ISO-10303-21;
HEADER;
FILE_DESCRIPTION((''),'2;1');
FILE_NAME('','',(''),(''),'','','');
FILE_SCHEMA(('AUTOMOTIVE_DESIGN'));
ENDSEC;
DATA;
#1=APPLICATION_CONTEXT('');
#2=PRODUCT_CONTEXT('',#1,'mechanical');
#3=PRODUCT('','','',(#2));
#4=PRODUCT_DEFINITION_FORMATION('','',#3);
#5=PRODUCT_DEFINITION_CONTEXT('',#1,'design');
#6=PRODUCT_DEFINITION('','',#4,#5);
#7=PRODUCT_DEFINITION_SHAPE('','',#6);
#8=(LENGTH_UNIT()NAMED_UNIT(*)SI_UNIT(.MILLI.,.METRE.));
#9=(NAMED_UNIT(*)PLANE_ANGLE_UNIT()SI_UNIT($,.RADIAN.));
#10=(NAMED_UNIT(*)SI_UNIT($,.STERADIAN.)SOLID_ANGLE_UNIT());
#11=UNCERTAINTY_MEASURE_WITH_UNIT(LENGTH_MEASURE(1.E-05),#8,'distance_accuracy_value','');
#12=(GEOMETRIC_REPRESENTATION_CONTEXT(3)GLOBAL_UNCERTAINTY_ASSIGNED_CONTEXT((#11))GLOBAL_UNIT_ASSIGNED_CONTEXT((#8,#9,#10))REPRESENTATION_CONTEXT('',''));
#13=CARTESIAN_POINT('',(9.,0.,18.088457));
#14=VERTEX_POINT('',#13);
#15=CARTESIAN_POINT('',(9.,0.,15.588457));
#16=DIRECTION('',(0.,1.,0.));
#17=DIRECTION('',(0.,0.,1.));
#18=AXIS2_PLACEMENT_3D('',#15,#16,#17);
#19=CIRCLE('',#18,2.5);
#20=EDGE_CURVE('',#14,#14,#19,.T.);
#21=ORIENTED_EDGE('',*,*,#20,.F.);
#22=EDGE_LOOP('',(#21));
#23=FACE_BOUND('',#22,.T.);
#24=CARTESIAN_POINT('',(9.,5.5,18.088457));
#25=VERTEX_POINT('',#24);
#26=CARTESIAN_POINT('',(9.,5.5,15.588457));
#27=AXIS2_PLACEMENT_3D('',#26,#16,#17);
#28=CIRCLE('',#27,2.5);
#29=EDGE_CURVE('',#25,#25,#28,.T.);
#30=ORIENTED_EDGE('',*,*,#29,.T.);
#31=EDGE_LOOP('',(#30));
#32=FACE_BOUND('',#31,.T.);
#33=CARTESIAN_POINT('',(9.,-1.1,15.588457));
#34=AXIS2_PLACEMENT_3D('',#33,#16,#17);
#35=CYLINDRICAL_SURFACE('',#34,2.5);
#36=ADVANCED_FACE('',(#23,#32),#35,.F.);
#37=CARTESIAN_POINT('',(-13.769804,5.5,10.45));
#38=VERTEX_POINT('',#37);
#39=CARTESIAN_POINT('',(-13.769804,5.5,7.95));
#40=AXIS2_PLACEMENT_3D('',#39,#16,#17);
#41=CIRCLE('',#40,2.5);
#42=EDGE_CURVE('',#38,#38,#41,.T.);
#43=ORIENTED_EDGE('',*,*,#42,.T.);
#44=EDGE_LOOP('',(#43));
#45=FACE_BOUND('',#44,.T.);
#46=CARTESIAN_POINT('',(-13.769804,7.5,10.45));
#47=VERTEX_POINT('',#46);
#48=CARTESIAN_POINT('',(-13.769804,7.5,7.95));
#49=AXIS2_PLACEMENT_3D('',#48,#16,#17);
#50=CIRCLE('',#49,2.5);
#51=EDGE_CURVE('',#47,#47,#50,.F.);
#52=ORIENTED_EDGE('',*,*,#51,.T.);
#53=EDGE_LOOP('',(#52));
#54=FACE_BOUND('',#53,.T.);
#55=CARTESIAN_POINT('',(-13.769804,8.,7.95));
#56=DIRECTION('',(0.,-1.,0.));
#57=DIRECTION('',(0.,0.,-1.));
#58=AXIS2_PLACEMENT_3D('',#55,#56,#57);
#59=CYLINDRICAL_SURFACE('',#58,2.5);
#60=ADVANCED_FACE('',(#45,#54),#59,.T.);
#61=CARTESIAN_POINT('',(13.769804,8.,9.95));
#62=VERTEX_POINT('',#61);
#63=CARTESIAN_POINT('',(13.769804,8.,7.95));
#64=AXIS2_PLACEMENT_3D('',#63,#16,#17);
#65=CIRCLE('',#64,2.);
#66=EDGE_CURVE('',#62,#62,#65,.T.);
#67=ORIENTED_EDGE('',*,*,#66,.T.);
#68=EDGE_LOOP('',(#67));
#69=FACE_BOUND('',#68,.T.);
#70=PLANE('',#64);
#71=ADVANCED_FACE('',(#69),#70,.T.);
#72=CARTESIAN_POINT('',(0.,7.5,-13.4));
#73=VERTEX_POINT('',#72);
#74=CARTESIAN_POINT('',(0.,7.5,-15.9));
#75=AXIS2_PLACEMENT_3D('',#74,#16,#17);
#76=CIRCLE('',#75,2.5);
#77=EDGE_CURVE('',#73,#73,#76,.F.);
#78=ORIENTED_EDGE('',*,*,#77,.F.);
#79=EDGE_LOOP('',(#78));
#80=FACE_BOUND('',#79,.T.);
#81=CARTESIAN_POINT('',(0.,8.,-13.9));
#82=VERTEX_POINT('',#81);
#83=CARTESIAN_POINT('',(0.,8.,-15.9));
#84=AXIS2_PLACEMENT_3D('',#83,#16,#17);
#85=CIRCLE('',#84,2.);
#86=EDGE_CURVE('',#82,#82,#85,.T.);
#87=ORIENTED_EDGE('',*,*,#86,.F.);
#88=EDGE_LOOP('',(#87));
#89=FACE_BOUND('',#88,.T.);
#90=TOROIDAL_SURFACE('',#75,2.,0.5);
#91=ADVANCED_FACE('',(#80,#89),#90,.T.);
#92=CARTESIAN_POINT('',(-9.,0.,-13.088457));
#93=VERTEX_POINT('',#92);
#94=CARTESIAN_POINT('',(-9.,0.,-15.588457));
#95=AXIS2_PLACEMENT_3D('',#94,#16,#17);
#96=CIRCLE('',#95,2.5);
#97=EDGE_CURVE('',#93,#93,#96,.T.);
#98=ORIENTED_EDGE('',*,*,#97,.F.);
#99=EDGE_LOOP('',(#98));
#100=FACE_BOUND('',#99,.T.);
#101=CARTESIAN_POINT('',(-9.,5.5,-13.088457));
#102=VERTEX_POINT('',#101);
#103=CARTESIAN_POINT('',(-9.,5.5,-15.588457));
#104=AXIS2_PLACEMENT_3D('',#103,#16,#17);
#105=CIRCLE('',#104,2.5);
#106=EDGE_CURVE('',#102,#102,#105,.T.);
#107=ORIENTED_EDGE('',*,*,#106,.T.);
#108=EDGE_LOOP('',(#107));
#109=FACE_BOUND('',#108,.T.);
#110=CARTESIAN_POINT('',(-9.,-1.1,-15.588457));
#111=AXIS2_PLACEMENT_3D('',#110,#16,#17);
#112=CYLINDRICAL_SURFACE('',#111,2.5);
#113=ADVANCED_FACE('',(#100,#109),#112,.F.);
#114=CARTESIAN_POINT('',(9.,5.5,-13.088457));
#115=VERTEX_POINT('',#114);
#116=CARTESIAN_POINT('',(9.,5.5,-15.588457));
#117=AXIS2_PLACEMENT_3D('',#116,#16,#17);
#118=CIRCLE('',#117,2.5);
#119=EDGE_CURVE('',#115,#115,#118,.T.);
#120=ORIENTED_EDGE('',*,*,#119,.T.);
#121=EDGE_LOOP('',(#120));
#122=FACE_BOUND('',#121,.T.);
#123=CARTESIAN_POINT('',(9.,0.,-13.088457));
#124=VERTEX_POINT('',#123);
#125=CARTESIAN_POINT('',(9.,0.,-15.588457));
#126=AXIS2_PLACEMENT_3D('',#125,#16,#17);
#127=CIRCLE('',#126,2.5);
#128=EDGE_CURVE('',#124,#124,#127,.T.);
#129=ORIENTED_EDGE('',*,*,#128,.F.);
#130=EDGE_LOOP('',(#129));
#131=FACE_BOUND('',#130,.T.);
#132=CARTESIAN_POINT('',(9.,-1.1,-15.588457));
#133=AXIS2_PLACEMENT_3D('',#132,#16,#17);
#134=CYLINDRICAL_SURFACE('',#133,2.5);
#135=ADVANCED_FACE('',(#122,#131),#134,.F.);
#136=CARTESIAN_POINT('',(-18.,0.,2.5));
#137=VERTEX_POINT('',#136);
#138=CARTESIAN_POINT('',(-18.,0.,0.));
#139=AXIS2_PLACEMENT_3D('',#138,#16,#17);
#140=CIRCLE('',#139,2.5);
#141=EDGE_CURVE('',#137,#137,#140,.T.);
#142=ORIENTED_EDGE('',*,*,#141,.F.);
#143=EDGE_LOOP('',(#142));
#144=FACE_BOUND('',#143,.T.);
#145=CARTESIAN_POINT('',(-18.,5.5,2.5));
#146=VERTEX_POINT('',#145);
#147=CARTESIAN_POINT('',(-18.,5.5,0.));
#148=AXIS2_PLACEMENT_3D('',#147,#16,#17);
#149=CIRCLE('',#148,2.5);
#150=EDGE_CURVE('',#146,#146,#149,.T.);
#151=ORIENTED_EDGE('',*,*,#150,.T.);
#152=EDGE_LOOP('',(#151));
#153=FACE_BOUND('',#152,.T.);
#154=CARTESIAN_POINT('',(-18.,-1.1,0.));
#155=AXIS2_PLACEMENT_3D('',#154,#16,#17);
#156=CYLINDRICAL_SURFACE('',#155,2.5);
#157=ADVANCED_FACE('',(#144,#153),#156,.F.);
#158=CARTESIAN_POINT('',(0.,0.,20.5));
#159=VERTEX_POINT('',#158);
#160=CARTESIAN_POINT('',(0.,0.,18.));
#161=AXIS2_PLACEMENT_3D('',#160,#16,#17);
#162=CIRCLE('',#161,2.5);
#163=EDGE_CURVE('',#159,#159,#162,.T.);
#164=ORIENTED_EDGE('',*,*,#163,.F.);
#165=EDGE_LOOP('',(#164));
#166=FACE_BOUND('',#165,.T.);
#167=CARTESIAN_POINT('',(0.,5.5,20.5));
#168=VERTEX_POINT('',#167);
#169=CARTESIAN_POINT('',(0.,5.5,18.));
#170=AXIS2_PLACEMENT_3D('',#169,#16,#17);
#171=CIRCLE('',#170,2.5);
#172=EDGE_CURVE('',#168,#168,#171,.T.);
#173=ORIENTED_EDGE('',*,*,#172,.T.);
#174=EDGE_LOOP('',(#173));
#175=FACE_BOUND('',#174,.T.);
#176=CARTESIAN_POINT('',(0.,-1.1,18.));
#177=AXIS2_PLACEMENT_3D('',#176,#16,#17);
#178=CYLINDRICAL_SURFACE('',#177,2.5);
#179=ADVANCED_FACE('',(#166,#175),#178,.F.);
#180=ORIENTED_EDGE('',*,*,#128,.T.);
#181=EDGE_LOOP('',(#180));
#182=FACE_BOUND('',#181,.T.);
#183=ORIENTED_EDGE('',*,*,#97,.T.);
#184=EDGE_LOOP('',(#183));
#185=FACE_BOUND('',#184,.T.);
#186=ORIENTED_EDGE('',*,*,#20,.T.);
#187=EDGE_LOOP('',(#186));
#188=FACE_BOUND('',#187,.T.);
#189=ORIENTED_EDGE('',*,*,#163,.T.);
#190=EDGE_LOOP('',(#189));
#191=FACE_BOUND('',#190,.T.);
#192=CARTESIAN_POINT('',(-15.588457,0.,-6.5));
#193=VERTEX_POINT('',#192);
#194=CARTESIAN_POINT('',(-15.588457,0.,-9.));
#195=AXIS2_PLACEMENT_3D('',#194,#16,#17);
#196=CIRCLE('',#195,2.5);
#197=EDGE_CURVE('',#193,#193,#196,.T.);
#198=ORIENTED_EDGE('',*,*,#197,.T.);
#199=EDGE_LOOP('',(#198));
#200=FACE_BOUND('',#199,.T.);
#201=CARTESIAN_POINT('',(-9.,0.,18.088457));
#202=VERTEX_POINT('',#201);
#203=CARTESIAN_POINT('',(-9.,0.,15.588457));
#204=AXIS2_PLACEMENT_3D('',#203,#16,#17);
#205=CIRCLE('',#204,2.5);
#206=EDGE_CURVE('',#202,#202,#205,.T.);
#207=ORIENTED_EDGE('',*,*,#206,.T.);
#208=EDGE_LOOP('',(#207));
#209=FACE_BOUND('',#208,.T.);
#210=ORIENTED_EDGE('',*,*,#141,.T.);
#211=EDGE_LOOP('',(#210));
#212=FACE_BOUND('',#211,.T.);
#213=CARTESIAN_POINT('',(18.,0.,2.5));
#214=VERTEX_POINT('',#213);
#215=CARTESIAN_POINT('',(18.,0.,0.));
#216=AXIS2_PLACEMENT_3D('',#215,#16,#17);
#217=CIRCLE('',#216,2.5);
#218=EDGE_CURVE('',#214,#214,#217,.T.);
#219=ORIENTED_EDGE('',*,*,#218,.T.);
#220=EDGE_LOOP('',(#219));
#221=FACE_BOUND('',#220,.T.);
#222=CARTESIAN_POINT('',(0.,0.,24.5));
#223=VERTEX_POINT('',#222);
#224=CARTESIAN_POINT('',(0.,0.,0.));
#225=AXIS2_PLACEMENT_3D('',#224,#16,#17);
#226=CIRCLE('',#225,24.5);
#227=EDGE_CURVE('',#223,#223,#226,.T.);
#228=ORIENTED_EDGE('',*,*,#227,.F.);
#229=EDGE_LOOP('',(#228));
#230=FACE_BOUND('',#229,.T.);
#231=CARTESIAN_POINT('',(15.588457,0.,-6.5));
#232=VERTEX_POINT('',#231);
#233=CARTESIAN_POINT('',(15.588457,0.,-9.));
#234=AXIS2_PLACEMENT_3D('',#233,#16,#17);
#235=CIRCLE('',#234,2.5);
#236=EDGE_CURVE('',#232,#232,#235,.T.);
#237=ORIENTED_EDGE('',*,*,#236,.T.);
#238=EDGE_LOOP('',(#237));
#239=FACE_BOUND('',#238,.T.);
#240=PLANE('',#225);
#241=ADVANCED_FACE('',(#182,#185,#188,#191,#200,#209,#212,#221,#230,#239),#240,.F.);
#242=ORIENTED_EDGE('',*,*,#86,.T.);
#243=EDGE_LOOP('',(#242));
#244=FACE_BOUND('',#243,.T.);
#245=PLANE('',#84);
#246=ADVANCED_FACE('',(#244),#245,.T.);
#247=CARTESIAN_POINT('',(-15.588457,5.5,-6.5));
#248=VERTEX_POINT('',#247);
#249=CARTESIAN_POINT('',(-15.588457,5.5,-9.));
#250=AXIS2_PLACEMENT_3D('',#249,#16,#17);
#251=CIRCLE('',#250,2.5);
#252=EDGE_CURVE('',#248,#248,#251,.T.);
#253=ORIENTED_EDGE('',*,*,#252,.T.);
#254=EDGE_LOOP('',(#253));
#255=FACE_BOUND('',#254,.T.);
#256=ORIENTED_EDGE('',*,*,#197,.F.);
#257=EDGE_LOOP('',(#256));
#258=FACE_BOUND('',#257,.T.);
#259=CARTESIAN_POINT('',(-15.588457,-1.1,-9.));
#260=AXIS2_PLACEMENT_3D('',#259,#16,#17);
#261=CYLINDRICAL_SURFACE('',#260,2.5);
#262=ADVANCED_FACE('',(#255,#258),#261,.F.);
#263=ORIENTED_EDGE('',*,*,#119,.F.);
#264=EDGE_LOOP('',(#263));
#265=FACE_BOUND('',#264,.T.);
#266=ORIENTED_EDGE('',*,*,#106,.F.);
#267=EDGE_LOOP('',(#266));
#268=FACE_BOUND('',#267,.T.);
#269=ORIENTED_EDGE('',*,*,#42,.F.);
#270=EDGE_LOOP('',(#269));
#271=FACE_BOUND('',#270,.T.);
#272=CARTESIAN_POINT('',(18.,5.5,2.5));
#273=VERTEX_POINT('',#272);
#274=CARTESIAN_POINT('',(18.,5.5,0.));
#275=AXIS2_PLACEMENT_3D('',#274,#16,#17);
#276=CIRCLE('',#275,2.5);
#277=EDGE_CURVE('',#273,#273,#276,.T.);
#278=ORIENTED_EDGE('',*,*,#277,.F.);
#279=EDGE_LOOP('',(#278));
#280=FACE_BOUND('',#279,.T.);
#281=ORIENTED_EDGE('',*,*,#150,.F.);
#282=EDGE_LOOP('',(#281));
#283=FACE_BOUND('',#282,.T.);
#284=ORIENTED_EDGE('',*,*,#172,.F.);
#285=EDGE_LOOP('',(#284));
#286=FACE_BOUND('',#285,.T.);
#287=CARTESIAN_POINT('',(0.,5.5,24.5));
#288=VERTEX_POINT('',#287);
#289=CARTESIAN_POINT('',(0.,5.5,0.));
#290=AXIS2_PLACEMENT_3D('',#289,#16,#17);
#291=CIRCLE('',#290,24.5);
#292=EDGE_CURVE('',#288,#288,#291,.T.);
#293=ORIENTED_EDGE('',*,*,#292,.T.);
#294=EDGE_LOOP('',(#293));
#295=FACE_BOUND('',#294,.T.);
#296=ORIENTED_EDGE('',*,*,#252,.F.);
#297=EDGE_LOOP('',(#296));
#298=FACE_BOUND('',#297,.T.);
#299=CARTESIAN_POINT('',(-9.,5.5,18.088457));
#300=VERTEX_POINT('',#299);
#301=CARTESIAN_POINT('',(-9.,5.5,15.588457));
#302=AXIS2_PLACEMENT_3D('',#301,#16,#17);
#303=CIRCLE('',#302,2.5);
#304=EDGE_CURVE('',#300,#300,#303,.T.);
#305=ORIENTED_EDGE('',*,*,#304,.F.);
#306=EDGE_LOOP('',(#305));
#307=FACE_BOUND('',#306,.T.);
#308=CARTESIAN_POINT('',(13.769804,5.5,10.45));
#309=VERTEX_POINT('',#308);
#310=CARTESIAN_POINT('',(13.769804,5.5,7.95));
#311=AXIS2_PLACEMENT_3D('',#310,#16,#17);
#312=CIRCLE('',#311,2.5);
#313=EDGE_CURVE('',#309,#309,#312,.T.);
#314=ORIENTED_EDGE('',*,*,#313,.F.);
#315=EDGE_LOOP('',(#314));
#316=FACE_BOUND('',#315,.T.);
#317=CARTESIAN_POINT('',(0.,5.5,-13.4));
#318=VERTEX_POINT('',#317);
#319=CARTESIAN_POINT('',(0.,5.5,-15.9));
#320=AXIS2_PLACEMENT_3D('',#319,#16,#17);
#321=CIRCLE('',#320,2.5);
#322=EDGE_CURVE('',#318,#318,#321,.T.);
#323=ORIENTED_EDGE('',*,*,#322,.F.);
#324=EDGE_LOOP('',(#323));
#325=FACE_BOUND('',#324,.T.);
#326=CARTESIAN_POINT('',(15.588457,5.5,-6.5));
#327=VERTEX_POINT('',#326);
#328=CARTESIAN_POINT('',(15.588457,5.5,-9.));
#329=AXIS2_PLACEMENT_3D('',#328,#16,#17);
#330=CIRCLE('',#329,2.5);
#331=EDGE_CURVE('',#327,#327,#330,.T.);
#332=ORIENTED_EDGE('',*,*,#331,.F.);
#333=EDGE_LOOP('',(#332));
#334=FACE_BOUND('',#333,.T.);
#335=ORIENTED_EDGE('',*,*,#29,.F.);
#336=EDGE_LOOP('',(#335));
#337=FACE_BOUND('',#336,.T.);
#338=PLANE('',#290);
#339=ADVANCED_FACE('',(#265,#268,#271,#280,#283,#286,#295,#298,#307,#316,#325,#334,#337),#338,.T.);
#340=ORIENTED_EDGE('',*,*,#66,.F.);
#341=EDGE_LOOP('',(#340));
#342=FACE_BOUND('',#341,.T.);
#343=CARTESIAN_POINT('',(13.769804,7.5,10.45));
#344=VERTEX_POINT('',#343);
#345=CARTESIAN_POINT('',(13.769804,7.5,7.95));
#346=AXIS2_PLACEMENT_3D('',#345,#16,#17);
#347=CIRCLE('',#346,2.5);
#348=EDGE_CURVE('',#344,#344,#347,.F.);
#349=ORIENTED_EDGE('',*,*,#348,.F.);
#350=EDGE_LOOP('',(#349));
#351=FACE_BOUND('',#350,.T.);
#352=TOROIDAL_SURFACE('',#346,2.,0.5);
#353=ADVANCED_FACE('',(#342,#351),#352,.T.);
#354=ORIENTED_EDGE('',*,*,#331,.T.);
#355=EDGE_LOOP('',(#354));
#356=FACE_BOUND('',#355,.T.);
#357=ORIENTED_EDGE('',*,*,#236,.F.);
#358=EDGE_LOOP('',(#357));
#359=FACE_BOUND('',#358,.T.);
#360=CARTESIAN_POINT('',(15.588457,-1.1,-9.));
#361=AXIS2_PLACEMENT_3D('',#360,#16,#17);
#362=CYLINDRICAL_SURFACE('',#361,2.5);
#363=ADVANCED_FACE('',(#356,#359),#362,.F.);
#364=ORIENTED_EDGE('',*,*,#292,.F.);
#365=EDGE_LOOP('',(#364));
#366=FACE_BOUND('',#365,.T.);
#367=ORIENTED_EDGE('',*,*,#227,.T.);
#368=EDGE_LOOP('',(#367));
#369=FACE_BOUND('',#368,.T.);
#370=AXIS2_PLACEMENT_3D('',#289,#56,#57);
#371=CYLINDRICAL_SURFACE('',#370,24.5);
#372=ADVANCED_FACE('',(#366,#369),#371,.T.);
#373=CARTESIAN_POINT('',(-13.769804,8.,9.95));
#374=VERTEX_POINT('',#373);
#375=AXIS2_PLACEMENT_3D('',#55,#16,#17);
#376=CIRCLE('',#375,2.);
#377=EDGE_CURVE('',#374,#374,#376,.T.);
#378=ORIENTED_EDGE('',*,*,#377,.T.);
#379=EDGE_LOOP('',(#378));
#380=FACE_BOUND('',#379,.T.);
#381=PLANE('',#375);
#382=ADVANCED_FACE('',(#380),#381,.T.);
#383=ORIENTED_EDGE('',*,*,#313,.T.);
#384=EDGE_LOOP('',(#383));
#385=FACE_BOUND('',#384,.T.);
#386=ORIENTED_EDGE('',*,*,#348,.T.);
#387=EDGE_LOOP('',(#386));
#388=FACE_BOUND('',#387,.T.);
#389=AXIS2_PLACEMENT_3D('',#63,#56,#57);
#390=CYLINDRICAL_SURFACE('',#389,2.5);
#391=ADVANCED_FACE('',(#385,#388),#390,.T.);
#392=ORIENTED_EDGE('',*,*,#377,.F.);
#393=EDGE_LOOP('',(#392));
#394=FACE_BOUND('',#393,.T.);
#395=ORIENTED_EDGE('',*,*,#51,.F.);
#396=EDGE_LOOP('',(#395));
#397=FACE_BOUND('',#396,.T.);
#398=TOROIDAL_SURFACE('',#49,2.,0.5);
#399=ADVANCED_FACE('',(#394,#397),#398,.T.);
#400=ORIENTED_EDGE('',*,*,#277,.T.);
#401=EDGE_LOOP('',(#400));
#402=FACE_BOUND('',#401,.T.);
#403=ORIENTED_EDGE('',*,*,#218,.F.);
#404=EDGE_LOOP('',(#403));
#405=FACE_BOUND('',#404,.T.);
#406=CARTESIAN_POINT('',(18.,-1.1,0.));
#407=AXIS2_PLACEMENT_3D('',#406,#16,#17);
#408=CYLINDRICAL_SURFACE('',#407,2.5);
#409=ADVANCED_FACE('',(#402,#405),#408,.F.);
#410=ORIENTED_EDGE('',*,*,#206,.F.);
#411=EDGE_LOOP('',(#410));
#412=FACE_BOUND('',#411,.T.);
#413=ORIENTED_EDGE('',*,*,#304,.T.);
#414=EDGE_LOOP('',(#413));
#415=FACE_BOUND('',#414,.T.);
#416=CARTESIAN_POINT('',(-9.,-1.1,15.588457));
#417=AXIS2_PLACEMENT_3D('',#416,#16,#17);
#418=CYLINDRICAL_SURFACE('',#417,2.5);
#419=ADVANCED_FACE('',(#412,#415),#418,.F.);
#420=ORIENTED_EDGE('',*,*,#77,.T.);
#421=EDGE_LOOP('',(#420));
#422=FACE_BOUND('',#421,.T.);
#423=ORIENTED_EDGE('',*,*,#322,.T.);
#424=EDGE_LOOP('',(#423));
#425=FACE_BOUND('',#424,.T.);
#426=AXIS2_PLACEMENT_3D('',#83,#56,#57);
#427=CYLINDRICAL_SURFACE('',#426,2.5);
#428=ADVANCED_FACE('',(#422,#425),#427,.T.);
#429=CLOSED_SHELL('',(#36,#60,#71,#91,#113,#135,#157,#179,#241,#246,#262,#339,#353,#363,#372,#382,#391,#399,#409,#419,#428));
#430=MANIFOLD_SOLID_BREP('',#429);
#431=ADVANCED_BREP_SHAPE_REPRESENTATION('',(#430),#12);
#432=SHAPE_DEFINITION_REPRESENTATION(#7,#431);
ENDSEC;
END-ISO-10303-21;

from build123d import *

# Parameters (mm, degrees)
SKETCH1_R           = 24.5
BOSS_EXTRUDE1_DEPTH = 5.5
SKETCH2_R           = 2.5
CUT_EXTRUDE1_DEPTH  = 6.6
SKETCH6_R           = 2.5
BOSS_EXTRUDE2_DEPTH = 2.5
FILLET1_R           = 0.5


with BuildPart() as part:
    # Sketch1 → Boss-Extrude1 (new body)
    with BuildSketch(Plane(origin=(0, 0, 0), x_dir=(1, 0, 0), z_dir=(0, 1, 0))):
        with Locations(Location((0, 0, 0), (0, 0, 270))):
            Circle(SKETCH1_R)
    extrude(amount=BOSS_EXTRUDE1_DEPTH)

    # Sketch2 → Cut-Extrude1 (cut)
    with BuildSketch(Plane(origin=(0, 5.5, 0), x_dir=(1, 0, 0), z_dir=(0, 1, 0))):
        with Locations(Location((-9, -15.588457268, 0), (0, 0, 270))):
            Circle(SKETCH2_R)
        with Locations(Location((-15.588457268, 9, 0), (0, 0, 270))):
            Circle(SKETCH2_R)
        with Locations(Location((-18, 0, 0), (0, 0, 270))):
            Circle(SKETCH2_R)
        with Locations(Location((0, -18, 0), (0, 0, 270))):
            Circle(SKETCH2_R)
        with Locations(Location((9, -15.588457268, 0), (0, 0, 270))):
            Circle(SKETCH2_R)
        with Locations(Location((-9, 15.588457268, 0), (0, 0, 270))):
            Circle(SKETCH2_R)
        with Locations(Location((9, 15.588457268, 0), (0, 0, 270))):
            Circle(SKETCH2_R)
        with Locations(Location((15.588457268, 9, 0), (0, 0, 270))):
            Circle(SKETCH2_R)
        with Locations(Location((18, 0, 0), (0, 0, 270))):
            Circle(SKETCH2_R)
    extrude(amount=-CUT_EXTRUDE1_DEPTH, mode=Mode.SUBTRACT)

    # Sketch6 → Boss-Extrude2 (add)
    with BuildSketch(Plane(origin=(0, 5.5, 0), x_dir=(1, 0, 0), z_dir=(0, 1, 0))):
        with Locations(Location((0, 15.9, 0), (0, 0, 270))):
            Circle(SKETCH6_R)
        with Locations(Location((13.76980392, -7.95, 0), (0, 0, 270))):
            Circle(SKETCH6_R)
        with Locations(Location((-13.76980392, -7.95, 0), (0, 0, 270))):
            Circle(SKETCH6_R)
    extrude(amount=BOSS_EXTRUDE2_DEPTH)

    # Fillet1
    fillet1_edges = [part.edges().sort_by_distance(p)[0] for p in [
        (0, 8, -18.4),
        (13.76980392, 8, 5.45),
        (-13.76980392, 8, 5.45),
    ]]
    fillet(fillet1_edges, radius=FILLET1_R)


solid = part.part
